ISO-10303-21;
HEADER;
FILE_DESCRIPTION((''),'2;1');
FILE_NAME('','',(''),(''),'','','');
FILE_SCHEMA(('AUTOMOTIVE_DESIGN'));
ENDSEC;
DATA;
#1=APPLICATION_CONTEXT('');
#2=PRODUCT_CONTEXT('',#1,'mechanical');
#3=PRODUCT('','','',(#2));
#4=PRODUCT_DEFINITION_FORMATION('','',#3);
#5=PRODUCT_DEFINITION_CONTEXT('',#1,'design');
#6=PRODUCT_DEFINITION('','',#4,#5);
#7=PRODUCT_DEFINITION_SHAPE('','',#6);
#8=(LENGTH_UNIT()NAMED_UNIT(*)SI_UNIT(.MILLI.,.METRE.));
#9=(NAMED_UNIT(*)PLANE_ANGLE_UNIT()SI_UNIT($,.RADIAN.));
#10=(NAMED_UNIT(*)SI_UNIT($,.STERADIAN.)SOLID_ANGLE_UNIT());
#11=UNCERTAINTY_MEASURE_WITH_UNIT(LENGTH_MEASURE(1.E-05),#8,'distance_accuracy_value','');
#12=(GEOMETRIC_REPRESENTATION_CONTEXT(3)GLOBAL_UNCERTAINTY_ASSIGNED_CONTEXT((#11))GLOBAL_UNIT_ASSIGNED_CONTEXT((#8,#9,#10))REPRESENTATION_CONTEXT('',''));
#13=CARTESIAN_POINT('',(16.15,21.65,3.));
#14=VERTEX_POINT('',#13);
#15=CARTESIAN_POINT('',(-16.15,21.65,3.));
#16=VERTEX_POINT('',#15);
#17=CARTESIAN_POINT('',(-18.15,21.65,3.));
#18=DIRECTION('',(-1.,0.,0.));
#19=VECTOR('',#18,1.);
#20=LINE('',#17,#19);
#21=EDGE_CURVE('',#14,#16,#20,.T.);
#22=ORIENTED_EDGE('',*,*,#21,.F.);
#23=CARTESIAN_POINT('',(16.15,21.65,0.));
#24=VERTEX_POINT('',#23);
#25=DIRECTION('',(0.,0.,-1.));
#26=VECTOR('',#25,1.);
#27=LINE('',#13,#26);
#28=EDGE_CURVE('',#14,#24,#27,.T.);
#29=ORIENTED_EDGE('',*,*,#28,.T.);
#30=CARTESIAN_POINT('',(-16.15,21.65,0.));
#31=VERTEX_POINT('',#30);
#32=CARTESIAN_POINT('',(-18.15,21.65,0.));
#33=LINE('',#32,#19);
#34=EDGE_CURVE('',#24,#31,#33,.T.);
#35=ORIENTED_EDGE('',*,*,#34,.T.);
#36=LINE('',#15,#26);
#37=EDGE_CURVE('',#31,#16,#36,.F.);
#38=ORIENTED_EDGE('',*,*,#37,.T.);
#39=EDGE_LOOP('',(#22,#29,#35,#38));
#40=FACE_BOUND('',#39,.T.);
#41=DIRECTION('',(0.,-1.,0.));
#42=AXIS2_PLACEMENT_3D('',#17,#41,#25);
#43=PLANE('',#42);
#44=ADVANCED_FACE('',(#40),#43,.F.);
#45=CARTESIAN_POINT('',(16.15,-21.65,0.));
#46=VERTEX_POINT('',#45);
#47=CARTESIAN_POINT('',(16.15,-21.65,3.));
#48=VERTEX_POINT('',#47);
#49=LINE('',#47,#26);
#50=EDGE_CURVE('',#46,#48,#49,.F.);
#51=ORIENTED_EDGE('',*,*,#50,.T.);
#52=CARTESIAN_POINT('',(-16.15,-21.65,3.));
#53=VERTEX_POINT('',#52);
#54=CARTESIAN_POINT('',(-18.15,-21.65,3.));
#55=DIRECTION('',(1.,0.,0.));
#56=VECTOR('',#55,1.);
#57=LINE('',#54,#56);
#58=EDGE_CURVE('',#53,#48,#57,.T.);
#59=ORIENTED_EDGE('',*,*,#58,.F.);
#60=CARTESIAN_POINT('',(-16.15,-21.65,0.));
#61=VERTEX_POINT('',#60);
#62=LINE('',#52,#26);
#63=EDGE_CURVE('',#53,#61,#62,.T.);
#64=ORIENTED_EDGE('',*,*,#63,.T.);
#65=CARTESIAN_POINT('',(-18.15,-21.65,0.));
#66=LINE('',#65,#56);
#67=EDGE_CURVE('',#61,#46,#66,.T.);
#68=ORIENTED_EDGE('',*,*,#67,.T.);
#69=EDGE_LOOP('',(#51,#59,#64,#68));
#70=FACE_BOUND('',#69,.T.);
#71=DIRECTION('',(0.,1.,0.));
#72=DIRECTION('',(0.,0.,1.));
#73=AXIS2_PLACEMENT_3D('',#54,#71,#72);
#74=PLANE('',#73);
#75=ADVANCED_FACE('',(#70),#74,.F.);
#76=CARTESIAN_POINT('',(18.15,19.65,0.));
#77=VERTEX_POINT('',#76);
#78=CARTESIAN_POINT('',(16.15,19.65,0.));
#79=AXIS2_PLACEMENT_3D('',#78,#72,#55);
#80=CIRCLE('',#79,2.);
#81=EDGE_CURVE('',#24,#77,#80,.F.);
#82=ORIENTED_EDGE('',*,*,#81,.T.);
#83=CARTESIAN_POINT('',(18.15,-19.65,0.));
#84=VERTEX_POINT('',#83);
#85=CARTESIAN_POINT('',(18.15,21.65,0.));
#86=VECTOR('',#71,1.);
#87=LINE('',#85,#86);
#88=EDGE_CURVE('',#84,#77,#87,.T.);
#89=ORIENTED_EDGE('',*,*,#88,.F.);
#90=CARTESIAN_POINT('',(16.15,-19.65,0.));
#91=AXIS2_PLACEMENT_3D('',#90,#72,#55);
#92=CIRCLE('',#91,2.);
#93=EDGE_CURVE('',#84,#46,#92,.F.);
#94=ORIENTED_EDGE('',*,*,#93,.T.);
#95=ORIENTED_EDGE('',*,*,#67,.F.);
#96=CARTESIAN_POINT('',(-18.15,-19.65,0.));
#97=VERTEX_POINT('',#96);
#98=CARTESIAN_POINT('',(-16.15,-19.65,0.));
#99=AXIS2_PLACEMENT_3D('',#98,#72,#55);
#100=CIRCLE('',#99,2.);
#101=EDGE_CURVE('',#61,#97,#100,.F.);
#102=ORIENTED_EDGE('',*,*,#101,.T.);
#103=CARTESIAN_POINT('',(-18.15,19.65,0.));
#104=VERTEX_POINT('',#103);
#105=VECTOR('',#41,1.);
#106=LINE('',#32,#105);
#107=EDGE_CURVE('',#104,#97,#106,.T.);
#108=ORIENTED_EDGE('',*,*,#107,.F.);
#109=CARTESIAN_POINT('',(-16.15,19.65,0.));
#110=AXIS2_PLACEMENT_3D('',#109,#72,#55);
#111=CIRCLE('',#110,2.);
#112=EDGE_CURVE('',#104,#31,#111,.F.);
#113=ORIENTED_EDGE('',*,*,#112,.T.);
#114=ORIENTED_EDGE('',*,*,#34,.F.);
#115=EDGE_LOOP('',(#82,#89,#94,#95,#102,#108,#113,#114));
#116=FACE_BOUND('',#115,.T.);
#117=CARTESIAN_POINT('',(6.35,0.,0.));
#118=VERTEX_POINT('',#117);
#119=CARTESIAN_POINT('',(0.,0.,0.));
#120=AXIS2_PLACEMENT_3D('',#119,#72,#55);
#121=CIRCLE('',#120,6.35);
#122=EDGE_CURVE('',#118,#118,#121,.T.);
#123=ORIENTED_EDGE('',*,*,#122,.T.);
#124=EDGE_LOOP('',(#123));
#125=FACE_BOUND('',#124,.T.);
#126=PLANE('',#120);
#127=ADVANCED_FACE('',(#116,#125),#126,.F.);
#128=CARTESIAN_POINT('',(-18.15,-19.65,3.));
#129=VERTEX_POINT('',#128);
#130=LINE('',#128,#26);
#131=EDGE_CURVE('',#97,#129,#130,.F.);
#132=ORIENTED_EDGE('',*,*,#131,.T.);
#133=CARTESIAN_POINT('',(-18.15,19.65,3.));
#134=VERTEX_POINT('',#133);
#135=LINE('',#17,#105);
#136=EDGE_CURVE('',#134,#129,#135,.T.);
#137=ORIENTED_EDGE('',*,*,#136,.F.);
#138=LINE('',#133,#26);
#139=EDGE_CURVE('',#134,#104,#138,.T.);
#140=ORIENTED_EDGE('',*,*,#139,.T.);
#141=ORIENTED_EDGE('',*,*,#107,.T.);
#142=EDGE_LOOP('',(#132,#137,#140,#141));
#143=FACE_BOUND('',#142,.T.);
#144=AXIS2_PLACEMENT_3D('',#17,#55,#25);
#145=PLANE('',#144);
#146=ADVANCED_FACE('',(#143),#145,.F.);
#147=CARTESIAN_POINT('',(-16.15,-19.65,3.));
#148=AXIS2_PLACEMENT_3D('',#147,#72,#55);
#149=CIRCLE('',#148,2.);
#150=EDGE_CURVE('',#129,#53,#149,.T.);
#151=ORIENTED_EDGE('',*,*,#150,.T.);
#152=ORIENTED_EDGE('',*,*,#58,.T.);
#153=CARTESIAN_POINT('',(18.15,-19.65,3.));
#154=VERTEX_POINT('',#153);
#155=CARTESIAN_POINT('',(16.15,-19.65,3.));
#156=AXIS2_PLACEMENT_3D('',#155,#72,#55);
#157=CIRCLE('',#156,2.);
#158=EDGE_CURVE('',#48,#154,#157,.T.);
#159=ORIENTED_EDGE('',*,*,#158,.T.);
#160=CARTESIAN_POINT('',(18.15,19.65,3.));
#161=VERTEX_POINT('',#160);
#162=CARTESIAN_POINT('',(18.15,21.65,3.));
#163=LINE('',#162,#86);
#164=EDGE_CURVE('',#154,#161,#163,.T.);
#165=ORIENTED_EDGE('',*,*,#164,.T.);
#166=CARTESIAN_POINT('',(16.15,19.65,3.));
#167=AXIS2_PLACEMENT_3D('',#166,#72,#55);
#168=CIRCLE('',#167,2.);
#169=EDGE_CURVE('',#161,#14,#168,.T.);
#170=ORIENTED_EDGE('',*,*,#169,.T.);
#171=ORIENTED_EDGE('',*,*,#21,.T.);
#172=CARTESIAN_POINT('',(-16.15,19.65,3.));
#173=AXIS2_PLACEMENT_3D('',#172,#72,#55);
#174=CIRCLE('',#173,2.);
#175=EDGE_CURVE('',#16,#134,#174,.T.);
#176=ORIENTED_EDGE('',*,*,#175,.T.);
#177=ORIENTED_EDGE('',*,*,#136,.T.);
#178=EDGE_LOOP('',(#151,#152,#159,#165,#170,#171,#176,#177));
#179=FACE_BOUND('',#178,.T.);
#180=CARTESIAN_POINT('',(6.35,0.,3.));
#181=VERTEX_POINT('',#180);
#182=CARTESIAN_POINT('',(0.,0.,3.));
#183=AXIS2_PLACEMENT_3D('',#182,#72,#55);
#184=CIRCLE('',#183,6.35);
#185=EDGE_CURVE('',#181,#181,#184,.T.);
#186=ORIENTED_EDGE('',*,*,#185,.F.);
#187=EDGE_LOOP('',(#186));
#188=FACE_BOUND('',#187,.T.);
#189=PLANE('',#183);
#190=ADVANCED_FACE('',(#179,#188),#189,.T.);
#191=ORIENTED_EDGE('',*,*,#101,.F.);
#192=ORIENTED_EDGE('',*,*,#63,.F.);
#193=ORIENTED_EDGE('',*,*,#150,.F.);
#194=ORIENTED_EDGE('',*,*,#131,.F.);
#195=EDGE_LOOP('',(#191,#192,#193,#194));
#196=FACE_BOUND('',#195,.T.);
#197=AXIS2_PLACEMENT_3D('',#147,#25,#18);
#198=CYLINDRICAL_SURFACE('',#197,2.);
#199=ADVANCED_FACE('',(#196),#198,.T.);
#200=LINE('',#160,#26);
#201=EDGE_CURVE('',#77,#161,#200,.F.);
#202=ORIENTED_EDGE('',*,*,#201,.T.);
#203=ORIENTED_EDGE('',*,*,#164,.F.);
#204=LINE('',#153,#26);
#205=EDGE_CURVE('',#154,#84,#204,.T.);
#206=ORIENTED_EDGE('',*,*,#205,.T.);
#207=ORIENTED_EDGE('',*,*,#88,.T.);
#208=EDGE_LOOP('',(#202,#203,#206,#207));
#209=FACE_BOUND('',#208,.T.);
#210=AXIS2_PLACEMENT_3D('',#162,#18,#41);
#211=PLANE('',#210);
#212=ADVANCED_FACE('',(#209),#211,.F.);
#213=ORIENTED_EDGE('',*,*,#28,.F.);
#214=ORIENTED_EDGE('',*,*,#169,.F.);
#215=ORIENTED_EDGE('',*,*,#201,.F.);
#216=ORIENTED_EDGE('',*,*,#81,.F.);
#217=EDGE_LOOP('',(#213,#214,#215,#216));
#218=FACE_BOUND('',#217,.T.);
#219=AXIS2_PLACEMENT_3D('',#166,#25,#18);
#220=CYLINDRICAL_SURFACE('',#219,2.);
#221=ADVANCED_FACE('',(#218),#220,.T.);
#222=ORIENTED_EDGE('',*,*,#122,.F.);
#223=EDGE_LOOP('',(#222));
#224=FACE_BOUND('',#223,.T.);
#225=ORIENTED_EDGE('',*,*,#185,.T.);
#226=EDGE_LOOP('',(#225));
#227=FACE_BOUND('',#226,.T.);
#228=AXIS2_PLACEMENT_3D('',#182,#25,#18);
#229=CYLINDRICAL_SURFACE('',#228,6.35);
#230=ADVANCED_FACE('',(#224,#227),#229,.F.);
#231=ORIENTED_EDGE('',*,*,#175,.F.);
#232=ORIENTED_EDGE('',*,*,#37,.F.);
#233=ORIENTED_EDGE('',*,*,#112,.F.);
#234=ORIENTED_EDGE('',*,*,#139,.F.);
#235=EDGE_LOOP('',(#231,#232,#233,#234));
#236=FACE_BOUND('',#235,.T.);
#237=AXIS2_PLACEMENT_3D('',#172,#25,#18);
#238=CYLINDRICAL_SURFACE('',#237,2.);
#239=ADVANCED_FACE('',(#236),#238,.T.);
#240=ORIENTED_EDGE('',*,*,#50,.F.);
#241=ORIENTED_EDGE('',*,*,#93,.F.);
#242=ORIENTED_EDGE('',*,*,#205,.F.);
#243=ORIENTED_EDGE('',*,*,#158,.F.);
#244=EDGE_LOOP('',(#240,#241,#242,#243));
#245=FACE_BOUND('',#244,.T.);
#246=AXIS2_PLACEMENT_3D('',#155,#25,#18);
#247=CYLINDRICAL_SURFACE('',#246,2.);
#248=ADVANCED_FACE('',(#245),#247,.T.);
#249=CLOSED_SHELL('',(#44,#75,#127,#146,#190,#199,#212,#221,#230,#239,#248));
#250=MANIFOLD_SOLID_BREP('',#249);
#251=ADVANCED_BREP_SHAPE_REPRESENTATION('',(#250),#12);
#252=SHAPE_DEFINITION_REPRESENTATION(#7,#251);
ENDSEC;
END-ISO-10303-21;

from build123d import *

# Parameters (mm, degrees)
SKETCH1_W           = 36.3
SKETCH1_H           = 43.3
SKETCH1_R           = 6.35
BOSS_EXTRUDE1_DEPTH = 3
FILLET1_R           = 2


with BuildPart() as part:
    # Sketch1 → Boss-Extrude1 (new body)
    with BuildSketch(Plane.XY):
        Rectangle(SKETCH1_W, SKETCH1_H)
        Circle(SKETCH1_R, mode=Mode.SUBTRACT)
    extrude(amount=BOSS_EXTRUDE1_DEPTH)

    # Fillet1
    fillet1_edges = [part.edges().sort_by_distance(p)[0] for p in [
        (18.15, -21.65, 1.5),
        (-18.15, -21.65, 1.5),
        (-18.15, 21.65, 1.5),
        (18.15, 21.65, 1.5),
    ]]
    fillet(fillet1_edges, radius=FILLET1_R)


solid = part.part
